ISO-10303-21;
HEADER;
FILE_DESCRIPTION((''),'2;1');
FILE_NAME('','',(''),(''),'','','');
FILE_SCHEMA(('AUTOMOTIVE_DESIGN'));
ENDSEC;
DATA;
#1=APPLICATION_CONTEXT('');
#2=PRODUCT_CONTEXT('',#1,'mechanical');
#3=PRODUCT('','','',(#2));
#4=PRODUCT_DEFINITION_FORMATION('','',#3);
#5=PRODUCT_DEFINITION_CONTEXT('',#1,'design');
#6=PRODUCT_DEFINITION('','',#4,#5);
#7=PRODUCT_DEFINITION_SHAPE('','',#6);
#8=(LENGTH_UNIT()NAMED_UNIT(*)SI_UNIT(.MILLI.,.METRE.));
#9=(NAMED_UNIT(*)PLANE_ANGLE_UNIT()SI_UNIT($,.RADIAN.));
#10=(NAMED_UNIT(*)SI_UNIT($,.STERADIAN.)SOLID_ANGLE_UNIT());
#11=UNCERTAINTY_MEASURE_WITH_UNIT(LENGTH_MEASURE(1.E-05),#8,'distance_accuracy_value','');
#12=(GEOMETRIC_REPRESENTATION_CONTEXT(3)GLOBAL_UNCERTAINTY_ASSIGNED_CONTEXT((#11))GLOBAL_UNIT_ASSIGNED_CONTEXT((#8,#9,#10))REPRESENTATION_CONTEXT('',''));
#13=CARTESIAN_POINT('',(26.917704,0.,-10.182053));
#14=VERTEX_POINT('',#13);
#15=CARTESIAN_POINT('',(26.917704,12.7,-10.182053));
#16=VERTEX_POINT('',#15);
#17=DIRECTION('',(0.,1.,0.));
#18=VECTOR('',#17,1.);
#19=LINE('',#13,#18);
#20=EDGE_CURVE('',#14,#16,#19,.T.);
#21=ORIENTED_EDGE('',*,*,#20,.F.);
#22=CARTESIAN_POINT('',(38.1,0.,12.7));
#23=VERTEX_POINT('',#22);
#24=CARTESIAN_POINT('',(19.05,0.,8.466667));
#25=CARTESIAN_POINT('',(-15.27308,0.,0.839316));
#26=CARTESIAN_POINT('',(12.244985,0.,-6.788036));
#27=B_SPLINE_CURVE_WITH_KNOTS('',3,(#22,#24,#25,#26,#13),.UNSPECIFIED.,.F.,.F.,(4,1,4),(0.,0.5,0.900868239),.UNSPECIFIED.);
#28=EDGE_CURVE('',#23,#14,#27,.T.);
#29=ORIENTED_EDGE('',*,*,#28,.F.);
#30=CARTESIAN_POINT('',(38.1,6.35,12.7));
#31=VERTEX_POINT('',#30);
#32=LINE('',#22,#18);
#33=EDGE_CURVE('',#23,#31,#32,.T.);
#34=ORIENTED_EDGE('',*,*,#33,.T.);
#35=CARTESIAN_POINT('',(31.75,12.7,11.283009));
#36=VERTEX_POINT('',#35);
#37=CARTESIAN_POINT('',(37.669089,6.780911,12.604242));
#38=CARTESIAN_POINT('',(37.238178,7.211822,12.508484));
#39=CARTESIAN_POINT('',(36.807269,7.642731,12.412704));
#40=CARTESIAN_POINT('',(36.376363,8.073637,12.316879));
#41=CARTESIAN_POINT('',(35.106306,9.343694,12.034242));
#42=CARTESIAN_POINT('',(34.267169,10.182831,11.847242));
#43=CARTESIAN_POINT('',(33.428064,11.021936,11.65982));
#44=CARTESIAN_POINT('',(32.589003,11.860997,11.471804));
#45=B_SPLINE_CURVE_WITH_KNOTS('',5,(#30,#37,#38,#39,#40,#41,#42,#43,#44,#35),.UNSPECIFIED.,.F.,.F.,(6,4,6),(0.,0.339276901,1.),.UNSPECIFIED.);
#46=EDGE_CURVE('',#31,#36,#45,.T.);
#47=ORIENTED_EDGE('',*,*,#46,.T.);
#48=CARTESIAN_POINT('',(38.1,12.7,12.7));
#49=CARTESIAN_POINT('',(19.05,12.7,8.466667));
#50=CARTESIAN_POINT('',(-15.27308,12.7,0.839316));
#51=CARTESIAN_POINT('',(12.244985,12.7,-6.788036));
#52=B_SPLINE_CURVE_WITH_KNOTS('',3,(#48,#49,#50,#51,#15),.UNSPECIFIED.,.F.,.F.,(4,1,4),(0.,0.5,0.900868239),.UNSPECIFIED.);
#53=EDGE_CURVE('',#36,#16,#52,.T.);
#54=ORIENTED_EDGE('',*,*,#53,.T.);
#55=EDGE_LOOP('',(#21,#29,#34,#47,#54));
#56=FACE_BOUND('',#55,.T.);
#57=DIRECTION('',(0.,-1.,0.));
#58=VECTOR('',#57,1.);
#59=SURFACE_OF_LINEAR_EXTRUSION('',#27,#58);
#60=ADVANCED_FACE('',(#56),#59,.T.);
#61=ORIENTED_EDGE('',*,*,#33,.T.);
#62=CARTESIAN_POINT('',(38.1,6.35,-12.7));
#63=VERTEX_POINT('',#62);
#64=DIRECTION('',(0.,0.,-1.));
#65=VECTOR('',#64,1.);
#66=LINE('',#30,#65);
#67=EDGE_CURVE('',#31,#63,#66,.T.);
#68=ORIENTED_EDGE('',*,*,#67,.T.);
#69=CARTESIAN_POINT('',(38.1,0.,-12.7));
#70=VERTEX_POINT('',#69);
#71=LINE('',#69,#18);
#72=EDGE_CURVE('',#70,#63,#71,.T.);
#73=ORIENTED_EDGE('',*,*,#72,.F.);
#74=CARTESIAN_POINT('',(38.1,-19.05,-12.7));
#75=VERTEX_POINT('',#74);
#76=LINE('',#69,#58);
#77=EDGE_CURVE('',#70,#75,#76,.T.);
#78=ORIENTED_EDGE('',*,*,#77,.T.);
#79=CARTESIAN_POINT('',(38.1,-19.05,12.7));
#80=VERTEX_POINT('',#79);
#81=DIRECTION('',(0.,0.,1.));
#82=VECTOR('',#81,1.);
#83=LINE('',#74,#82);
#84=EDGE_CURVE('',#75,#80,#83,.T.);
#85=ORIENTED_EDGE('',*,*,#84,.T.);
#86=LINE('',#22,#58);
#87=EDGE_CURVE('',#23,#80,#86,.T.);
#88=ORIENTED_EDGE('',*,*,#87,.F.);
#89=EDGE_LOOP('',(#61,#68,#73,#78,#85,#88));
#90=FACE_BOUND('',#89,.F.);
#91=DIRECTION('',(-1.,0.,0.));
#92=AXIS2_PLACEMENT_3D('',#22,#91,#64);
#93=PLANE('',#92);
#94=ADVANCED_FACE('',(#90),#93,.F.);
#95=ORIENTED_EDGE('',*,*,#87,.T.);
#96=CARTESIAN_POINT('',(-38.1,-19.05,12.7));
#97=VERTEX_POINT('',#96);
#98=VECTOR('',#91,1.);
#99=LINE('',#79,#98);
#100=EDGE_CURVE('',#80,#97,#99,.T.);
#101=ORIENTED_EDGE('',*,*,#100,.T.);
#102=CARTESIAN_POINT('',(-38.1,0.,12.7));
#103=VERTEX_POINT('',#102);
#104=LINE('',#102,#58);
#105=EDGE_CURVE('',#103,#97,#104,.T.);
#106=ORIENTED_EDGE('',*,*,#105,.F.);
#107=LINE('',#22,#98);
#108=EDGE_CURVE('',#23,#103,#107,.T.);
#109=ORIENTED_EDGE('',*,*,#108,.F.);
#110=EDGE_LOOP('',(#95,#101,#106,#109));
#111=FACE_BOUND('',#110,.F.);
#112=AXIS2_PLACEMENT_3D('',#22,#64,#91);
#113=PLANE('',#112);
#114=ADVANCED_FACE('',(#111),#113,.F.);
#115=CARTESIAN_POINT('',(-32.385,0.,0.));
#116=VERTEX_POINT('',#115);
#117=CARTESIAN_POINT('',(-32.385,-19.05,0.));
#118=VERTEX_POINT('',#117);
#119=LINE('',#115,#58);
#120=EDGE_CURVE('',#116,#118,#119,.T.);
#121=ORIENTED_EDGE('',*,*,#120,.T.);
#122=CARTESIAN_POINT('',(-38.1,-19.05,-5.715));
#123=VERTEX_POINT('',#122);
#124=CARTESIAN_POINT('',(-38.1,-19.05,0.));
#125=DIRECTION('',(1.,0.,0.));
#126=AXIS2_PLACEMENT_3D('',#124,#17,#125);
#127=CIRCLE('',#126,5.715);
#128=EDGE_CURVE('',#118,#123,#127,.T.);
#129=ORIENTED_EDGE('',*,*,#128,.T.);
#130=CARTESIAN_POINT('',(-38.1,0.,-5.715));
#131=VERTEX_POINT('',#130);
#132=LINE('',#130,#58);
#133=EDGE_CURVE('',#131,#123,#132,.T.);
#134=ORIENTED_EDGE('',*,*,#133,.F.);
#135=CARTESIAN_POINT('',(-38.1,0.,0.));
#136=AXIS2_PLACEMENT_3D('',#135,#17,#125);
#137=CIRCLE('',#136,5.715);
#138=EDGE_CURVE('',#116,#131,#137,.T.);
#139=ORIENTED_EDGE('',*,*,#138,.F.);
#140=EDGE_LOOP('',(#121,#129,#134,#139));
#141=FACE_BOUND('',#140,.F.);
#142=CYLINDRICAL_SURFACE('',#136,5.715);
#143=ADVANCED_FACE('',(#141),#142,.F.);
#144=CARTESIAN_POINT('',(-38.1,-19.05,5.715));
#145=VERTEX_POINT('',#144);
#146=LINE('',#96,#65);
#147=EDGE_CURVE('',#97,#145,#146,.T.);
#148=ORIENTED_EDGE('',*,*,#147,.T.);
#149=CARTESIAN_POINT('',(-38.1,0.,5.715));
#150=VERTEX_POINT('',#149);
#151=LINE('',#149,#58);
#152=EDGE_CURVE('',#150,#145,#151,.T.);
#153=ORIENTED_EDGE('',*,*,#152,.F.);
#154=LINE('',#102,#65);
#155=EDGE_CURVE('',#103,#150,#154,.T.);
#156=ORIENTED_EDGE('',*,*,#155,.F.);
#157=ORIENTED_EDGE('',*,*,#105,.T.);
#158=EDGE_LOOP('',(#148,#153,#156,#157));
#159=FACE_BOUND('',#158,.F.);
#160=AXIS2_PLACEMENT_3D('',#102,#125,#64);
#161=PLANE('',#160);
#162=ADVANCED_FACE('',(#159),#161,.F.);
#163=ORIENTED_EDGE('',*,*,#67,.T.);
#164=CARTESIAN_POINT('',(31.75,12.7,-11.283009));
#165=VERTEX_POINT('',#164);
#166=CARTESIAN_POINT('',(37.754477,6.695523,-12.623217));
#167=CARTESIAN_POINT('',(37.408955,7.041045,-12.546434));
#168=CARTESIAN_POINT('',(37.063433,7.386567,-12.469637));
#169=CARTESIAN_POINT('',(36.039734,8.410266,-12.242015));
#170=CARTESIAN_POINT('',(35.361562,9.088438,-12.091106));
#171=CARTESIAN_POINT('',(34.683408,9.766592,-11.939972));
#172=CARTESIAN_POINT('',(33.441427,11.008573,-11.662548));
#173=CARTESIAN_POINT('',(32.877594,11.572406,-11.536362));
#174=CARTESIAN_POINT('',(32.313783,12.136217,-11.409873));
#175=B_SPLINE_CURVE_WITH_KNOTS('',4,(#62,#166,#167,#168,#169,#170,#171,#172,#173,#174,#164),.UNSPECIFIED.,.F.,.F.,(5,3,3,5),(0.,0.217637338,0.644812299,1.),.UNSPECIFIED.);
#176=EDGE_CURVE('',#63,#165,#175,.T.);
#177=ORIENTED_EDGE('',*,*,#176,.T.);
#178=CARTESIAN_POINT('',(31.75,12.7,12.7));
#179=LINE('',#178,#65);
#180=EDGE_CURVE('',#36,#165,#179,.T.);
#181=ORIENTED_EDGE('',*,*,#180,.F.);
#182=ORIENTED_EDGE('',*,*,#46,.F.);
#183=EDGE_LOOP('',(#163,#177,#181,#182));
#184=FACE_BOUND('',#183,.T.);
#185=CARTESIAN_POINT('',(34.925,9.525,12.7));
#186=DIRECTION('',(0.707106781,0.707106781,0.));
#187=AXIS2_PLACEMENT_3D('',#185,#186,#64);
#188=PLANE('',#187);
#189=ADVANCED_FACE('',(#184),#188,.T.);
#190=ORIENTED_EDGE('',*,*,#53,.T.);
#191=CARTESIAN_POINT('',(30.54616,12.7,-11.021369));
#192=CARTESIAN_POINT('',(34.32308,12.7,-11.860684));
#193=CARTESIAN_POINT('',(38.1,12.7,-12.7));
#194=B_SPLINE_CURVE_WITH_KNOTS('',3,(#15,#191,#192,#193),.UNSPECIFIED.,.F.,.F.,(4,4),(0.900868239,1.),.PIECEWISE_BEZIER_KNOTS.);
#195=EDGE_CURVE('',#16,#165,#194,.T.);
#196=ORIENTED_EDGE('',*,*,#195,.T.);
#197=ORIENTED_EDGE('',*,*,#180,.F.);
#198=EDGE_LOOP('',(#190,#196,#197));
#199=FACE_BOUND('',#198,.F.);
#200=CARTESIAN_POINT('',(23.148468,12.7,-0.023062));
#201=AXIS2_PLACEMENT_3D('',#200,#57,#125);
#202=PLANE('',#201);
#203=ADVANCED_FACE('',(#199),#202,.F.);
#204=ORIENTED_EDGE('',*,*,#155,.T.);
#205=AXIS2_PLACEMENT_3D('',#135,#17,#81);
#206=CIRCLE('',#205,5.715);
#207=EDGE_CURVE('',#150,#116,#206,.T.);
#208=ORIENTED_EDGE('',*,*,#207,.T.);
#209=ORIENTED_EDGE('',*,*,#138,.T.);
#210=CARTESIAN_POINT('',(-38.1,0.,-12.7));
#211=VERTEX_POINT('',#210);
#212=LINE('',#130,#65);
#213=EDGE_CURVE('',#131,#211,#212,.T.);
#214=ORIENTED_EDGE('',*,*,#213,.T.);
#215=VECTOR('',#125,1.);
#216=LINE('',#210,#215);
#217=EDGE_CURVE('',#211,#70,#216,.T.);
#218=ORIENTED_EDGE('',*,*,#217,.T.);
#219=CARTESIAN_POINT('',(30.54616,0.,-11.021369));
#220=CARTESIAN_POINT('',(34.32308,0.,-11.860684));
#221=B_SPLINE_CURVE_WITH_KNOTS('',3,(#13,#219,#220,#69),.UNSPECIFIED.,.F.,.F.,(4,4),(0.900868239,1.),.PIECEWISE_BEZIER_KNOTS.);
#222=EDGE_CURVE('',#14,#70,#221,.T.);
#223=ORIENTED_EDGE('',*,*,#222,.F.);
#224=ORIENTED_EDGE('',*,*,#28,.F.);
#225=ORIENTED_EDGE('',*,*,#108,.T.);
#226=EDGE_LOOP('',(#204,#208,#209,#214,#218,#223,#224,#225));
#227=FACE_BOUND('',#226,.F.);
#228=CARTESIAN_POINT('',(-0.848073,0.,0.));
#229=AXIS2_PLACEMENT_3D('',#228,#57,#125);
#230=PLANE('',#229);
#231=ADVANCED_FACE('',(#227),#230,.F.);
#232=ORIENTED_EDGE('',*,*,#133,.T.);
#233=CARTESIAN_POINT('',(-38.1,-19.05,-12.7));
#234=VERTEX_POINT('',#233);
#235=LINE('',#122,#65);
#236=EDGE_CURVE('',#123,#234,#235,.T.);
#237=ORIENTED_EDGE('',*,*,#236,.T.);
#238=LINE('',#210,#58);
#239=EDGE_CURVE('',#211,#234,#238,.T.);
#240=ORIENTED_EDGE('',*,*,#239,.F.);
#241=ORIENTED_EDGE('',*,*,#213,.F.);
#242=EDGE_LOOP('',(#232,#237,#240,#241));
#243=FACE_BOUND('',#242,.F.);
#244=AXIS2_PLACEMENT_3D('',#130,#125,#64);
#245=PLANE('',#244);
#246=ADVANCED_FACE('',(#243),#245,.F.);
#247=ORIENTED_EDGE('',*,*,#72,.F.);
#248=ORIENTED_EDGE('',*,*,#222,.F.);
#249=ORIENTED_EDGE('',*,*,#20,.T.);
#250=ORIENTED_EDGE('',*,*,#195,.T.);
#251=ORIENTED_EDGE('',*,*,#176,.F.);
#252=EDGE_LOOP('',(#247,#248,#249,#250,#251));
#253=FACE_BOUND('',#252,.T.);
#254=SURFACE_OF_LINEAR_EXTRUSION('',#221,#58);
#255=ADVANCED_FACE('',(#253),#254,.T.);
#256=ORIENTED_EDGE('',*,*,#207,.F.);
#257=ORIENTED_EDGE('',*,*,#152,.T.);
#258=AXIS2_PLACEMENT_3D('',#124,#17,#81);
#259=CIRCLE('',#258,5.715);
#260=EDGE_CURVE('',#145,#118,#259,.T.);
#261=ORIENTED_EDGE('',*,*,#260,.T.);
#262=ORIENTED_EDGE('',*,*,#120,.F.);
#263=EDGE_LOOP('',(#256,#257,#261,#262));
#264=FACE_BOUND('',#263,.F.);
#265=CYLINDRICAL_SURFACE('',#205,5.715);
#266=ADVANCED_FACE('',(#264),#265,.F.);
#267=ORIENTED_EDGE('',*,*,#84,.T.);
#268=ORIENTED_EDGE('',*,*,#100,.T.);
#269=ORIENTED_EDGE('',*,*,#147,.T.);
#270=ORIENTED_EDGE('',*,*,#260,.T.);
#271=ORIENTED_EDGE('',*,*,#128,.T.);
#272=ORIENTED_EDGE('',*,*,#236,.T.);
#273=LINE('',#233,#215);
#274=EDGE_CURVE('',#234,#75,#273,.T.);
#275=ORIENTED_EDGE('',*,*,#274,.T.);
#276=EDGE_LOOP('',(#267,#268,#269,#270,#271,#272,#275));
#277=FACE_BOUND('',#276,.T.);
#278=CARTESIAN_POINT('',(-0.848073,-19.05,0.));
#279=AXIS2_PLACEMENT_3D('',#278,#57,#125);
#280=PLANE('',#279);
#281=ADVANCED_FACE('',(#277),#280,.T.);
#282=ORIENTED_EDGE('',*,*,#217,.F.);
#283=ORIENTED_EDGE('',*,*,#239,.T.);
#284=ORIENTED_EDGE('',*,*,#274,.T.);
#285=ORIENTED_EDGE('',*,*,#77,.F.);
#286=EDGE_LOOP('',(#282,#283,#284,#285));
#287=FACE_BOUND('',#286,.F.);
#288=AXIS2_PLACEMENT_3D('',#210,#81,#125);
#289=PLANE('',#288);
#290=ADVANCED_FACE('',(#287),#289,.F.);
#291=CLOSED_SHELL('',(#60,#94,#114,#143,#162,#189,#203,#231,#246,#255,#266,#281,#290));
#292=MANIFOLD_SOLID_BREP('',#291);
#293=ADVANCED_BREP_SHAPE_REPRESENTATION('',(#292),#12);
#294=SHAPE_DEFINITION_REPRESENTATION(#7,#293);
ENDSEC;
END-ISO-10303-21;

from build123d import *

# Parameters (mm, degrees)
F1_DEPTH = 19.05
F3_DEPTH = 12.7
F4_SIZE  = 6.35


with BuildPart() as f1:
    # F0 (on Front) → F1 (new body)
    with BuildSketch(Plane.XZ):
        with BuildLine():
            Line((38.1, -12.7), (38.1, 12.7))
            Line((38.1, 12.7), (-38.1, 12.7))
            Line((-38.1, 12.7), (-38.1, 5.715))
            ThreePointArc((-38.1, 5.715), (-34.0588847455, 4.0411152545), (-32.385, 0))
            ThreePointArc((-32.385, 0), (-34.0588847455, -4.0411152545), (-38.1, -5.715))
            Line((-38.1, -5.715), (-38.1, -12.7))
            Line((-38.1, -12.7), (38.1, -12.7))
        make_face()
    extrude(amount=F1_DEPTH)

    # F2 (on face) → F3 (join)
    with BuildSketch(Plane(origin=(0, 0, 0), x_dir=(-1, 0, 0), z_dir=(0, 1, 0))):
        with BuildLine():
            add(Edge.make_bspline(
                [(-38.1, 12.7), (-19.05, 8.4666666667), (15.2730799035, 0.839315577), (-12.2449852881, -6.7880355127), (-26.9177044879, -10.182053269)],
                knots=[0, 0, 0, 0, 0.5, 0.9008682389, 0.9008682389, 0.9008682389, 0.9008682389], degree=3))
            Line((-38.1, 12.7), (-38.1, -12.7))
            add(Edge.make_bspline(
                [(-26.9177044879, -10.182053269), (-30.546159807, -11.021368846), (-34.3230799035, -11.860684423), (-38.1, -12.7)],
                knots=[0.9008682389, 0.9008682389, 0.9008682389, 0.9008682389, 1, 1, 1, 1], degree=3))
        make_face()
    extrude(amount=F3_DEPTH)

    # F4
    f4_edges = [f1.edges().sort_by_distance(p)[0] for p in [
        (38.1, 12.7, 0),
    ]]
    chamfer(f4_edges, length=F4_SIZE)


solid = f1.part
